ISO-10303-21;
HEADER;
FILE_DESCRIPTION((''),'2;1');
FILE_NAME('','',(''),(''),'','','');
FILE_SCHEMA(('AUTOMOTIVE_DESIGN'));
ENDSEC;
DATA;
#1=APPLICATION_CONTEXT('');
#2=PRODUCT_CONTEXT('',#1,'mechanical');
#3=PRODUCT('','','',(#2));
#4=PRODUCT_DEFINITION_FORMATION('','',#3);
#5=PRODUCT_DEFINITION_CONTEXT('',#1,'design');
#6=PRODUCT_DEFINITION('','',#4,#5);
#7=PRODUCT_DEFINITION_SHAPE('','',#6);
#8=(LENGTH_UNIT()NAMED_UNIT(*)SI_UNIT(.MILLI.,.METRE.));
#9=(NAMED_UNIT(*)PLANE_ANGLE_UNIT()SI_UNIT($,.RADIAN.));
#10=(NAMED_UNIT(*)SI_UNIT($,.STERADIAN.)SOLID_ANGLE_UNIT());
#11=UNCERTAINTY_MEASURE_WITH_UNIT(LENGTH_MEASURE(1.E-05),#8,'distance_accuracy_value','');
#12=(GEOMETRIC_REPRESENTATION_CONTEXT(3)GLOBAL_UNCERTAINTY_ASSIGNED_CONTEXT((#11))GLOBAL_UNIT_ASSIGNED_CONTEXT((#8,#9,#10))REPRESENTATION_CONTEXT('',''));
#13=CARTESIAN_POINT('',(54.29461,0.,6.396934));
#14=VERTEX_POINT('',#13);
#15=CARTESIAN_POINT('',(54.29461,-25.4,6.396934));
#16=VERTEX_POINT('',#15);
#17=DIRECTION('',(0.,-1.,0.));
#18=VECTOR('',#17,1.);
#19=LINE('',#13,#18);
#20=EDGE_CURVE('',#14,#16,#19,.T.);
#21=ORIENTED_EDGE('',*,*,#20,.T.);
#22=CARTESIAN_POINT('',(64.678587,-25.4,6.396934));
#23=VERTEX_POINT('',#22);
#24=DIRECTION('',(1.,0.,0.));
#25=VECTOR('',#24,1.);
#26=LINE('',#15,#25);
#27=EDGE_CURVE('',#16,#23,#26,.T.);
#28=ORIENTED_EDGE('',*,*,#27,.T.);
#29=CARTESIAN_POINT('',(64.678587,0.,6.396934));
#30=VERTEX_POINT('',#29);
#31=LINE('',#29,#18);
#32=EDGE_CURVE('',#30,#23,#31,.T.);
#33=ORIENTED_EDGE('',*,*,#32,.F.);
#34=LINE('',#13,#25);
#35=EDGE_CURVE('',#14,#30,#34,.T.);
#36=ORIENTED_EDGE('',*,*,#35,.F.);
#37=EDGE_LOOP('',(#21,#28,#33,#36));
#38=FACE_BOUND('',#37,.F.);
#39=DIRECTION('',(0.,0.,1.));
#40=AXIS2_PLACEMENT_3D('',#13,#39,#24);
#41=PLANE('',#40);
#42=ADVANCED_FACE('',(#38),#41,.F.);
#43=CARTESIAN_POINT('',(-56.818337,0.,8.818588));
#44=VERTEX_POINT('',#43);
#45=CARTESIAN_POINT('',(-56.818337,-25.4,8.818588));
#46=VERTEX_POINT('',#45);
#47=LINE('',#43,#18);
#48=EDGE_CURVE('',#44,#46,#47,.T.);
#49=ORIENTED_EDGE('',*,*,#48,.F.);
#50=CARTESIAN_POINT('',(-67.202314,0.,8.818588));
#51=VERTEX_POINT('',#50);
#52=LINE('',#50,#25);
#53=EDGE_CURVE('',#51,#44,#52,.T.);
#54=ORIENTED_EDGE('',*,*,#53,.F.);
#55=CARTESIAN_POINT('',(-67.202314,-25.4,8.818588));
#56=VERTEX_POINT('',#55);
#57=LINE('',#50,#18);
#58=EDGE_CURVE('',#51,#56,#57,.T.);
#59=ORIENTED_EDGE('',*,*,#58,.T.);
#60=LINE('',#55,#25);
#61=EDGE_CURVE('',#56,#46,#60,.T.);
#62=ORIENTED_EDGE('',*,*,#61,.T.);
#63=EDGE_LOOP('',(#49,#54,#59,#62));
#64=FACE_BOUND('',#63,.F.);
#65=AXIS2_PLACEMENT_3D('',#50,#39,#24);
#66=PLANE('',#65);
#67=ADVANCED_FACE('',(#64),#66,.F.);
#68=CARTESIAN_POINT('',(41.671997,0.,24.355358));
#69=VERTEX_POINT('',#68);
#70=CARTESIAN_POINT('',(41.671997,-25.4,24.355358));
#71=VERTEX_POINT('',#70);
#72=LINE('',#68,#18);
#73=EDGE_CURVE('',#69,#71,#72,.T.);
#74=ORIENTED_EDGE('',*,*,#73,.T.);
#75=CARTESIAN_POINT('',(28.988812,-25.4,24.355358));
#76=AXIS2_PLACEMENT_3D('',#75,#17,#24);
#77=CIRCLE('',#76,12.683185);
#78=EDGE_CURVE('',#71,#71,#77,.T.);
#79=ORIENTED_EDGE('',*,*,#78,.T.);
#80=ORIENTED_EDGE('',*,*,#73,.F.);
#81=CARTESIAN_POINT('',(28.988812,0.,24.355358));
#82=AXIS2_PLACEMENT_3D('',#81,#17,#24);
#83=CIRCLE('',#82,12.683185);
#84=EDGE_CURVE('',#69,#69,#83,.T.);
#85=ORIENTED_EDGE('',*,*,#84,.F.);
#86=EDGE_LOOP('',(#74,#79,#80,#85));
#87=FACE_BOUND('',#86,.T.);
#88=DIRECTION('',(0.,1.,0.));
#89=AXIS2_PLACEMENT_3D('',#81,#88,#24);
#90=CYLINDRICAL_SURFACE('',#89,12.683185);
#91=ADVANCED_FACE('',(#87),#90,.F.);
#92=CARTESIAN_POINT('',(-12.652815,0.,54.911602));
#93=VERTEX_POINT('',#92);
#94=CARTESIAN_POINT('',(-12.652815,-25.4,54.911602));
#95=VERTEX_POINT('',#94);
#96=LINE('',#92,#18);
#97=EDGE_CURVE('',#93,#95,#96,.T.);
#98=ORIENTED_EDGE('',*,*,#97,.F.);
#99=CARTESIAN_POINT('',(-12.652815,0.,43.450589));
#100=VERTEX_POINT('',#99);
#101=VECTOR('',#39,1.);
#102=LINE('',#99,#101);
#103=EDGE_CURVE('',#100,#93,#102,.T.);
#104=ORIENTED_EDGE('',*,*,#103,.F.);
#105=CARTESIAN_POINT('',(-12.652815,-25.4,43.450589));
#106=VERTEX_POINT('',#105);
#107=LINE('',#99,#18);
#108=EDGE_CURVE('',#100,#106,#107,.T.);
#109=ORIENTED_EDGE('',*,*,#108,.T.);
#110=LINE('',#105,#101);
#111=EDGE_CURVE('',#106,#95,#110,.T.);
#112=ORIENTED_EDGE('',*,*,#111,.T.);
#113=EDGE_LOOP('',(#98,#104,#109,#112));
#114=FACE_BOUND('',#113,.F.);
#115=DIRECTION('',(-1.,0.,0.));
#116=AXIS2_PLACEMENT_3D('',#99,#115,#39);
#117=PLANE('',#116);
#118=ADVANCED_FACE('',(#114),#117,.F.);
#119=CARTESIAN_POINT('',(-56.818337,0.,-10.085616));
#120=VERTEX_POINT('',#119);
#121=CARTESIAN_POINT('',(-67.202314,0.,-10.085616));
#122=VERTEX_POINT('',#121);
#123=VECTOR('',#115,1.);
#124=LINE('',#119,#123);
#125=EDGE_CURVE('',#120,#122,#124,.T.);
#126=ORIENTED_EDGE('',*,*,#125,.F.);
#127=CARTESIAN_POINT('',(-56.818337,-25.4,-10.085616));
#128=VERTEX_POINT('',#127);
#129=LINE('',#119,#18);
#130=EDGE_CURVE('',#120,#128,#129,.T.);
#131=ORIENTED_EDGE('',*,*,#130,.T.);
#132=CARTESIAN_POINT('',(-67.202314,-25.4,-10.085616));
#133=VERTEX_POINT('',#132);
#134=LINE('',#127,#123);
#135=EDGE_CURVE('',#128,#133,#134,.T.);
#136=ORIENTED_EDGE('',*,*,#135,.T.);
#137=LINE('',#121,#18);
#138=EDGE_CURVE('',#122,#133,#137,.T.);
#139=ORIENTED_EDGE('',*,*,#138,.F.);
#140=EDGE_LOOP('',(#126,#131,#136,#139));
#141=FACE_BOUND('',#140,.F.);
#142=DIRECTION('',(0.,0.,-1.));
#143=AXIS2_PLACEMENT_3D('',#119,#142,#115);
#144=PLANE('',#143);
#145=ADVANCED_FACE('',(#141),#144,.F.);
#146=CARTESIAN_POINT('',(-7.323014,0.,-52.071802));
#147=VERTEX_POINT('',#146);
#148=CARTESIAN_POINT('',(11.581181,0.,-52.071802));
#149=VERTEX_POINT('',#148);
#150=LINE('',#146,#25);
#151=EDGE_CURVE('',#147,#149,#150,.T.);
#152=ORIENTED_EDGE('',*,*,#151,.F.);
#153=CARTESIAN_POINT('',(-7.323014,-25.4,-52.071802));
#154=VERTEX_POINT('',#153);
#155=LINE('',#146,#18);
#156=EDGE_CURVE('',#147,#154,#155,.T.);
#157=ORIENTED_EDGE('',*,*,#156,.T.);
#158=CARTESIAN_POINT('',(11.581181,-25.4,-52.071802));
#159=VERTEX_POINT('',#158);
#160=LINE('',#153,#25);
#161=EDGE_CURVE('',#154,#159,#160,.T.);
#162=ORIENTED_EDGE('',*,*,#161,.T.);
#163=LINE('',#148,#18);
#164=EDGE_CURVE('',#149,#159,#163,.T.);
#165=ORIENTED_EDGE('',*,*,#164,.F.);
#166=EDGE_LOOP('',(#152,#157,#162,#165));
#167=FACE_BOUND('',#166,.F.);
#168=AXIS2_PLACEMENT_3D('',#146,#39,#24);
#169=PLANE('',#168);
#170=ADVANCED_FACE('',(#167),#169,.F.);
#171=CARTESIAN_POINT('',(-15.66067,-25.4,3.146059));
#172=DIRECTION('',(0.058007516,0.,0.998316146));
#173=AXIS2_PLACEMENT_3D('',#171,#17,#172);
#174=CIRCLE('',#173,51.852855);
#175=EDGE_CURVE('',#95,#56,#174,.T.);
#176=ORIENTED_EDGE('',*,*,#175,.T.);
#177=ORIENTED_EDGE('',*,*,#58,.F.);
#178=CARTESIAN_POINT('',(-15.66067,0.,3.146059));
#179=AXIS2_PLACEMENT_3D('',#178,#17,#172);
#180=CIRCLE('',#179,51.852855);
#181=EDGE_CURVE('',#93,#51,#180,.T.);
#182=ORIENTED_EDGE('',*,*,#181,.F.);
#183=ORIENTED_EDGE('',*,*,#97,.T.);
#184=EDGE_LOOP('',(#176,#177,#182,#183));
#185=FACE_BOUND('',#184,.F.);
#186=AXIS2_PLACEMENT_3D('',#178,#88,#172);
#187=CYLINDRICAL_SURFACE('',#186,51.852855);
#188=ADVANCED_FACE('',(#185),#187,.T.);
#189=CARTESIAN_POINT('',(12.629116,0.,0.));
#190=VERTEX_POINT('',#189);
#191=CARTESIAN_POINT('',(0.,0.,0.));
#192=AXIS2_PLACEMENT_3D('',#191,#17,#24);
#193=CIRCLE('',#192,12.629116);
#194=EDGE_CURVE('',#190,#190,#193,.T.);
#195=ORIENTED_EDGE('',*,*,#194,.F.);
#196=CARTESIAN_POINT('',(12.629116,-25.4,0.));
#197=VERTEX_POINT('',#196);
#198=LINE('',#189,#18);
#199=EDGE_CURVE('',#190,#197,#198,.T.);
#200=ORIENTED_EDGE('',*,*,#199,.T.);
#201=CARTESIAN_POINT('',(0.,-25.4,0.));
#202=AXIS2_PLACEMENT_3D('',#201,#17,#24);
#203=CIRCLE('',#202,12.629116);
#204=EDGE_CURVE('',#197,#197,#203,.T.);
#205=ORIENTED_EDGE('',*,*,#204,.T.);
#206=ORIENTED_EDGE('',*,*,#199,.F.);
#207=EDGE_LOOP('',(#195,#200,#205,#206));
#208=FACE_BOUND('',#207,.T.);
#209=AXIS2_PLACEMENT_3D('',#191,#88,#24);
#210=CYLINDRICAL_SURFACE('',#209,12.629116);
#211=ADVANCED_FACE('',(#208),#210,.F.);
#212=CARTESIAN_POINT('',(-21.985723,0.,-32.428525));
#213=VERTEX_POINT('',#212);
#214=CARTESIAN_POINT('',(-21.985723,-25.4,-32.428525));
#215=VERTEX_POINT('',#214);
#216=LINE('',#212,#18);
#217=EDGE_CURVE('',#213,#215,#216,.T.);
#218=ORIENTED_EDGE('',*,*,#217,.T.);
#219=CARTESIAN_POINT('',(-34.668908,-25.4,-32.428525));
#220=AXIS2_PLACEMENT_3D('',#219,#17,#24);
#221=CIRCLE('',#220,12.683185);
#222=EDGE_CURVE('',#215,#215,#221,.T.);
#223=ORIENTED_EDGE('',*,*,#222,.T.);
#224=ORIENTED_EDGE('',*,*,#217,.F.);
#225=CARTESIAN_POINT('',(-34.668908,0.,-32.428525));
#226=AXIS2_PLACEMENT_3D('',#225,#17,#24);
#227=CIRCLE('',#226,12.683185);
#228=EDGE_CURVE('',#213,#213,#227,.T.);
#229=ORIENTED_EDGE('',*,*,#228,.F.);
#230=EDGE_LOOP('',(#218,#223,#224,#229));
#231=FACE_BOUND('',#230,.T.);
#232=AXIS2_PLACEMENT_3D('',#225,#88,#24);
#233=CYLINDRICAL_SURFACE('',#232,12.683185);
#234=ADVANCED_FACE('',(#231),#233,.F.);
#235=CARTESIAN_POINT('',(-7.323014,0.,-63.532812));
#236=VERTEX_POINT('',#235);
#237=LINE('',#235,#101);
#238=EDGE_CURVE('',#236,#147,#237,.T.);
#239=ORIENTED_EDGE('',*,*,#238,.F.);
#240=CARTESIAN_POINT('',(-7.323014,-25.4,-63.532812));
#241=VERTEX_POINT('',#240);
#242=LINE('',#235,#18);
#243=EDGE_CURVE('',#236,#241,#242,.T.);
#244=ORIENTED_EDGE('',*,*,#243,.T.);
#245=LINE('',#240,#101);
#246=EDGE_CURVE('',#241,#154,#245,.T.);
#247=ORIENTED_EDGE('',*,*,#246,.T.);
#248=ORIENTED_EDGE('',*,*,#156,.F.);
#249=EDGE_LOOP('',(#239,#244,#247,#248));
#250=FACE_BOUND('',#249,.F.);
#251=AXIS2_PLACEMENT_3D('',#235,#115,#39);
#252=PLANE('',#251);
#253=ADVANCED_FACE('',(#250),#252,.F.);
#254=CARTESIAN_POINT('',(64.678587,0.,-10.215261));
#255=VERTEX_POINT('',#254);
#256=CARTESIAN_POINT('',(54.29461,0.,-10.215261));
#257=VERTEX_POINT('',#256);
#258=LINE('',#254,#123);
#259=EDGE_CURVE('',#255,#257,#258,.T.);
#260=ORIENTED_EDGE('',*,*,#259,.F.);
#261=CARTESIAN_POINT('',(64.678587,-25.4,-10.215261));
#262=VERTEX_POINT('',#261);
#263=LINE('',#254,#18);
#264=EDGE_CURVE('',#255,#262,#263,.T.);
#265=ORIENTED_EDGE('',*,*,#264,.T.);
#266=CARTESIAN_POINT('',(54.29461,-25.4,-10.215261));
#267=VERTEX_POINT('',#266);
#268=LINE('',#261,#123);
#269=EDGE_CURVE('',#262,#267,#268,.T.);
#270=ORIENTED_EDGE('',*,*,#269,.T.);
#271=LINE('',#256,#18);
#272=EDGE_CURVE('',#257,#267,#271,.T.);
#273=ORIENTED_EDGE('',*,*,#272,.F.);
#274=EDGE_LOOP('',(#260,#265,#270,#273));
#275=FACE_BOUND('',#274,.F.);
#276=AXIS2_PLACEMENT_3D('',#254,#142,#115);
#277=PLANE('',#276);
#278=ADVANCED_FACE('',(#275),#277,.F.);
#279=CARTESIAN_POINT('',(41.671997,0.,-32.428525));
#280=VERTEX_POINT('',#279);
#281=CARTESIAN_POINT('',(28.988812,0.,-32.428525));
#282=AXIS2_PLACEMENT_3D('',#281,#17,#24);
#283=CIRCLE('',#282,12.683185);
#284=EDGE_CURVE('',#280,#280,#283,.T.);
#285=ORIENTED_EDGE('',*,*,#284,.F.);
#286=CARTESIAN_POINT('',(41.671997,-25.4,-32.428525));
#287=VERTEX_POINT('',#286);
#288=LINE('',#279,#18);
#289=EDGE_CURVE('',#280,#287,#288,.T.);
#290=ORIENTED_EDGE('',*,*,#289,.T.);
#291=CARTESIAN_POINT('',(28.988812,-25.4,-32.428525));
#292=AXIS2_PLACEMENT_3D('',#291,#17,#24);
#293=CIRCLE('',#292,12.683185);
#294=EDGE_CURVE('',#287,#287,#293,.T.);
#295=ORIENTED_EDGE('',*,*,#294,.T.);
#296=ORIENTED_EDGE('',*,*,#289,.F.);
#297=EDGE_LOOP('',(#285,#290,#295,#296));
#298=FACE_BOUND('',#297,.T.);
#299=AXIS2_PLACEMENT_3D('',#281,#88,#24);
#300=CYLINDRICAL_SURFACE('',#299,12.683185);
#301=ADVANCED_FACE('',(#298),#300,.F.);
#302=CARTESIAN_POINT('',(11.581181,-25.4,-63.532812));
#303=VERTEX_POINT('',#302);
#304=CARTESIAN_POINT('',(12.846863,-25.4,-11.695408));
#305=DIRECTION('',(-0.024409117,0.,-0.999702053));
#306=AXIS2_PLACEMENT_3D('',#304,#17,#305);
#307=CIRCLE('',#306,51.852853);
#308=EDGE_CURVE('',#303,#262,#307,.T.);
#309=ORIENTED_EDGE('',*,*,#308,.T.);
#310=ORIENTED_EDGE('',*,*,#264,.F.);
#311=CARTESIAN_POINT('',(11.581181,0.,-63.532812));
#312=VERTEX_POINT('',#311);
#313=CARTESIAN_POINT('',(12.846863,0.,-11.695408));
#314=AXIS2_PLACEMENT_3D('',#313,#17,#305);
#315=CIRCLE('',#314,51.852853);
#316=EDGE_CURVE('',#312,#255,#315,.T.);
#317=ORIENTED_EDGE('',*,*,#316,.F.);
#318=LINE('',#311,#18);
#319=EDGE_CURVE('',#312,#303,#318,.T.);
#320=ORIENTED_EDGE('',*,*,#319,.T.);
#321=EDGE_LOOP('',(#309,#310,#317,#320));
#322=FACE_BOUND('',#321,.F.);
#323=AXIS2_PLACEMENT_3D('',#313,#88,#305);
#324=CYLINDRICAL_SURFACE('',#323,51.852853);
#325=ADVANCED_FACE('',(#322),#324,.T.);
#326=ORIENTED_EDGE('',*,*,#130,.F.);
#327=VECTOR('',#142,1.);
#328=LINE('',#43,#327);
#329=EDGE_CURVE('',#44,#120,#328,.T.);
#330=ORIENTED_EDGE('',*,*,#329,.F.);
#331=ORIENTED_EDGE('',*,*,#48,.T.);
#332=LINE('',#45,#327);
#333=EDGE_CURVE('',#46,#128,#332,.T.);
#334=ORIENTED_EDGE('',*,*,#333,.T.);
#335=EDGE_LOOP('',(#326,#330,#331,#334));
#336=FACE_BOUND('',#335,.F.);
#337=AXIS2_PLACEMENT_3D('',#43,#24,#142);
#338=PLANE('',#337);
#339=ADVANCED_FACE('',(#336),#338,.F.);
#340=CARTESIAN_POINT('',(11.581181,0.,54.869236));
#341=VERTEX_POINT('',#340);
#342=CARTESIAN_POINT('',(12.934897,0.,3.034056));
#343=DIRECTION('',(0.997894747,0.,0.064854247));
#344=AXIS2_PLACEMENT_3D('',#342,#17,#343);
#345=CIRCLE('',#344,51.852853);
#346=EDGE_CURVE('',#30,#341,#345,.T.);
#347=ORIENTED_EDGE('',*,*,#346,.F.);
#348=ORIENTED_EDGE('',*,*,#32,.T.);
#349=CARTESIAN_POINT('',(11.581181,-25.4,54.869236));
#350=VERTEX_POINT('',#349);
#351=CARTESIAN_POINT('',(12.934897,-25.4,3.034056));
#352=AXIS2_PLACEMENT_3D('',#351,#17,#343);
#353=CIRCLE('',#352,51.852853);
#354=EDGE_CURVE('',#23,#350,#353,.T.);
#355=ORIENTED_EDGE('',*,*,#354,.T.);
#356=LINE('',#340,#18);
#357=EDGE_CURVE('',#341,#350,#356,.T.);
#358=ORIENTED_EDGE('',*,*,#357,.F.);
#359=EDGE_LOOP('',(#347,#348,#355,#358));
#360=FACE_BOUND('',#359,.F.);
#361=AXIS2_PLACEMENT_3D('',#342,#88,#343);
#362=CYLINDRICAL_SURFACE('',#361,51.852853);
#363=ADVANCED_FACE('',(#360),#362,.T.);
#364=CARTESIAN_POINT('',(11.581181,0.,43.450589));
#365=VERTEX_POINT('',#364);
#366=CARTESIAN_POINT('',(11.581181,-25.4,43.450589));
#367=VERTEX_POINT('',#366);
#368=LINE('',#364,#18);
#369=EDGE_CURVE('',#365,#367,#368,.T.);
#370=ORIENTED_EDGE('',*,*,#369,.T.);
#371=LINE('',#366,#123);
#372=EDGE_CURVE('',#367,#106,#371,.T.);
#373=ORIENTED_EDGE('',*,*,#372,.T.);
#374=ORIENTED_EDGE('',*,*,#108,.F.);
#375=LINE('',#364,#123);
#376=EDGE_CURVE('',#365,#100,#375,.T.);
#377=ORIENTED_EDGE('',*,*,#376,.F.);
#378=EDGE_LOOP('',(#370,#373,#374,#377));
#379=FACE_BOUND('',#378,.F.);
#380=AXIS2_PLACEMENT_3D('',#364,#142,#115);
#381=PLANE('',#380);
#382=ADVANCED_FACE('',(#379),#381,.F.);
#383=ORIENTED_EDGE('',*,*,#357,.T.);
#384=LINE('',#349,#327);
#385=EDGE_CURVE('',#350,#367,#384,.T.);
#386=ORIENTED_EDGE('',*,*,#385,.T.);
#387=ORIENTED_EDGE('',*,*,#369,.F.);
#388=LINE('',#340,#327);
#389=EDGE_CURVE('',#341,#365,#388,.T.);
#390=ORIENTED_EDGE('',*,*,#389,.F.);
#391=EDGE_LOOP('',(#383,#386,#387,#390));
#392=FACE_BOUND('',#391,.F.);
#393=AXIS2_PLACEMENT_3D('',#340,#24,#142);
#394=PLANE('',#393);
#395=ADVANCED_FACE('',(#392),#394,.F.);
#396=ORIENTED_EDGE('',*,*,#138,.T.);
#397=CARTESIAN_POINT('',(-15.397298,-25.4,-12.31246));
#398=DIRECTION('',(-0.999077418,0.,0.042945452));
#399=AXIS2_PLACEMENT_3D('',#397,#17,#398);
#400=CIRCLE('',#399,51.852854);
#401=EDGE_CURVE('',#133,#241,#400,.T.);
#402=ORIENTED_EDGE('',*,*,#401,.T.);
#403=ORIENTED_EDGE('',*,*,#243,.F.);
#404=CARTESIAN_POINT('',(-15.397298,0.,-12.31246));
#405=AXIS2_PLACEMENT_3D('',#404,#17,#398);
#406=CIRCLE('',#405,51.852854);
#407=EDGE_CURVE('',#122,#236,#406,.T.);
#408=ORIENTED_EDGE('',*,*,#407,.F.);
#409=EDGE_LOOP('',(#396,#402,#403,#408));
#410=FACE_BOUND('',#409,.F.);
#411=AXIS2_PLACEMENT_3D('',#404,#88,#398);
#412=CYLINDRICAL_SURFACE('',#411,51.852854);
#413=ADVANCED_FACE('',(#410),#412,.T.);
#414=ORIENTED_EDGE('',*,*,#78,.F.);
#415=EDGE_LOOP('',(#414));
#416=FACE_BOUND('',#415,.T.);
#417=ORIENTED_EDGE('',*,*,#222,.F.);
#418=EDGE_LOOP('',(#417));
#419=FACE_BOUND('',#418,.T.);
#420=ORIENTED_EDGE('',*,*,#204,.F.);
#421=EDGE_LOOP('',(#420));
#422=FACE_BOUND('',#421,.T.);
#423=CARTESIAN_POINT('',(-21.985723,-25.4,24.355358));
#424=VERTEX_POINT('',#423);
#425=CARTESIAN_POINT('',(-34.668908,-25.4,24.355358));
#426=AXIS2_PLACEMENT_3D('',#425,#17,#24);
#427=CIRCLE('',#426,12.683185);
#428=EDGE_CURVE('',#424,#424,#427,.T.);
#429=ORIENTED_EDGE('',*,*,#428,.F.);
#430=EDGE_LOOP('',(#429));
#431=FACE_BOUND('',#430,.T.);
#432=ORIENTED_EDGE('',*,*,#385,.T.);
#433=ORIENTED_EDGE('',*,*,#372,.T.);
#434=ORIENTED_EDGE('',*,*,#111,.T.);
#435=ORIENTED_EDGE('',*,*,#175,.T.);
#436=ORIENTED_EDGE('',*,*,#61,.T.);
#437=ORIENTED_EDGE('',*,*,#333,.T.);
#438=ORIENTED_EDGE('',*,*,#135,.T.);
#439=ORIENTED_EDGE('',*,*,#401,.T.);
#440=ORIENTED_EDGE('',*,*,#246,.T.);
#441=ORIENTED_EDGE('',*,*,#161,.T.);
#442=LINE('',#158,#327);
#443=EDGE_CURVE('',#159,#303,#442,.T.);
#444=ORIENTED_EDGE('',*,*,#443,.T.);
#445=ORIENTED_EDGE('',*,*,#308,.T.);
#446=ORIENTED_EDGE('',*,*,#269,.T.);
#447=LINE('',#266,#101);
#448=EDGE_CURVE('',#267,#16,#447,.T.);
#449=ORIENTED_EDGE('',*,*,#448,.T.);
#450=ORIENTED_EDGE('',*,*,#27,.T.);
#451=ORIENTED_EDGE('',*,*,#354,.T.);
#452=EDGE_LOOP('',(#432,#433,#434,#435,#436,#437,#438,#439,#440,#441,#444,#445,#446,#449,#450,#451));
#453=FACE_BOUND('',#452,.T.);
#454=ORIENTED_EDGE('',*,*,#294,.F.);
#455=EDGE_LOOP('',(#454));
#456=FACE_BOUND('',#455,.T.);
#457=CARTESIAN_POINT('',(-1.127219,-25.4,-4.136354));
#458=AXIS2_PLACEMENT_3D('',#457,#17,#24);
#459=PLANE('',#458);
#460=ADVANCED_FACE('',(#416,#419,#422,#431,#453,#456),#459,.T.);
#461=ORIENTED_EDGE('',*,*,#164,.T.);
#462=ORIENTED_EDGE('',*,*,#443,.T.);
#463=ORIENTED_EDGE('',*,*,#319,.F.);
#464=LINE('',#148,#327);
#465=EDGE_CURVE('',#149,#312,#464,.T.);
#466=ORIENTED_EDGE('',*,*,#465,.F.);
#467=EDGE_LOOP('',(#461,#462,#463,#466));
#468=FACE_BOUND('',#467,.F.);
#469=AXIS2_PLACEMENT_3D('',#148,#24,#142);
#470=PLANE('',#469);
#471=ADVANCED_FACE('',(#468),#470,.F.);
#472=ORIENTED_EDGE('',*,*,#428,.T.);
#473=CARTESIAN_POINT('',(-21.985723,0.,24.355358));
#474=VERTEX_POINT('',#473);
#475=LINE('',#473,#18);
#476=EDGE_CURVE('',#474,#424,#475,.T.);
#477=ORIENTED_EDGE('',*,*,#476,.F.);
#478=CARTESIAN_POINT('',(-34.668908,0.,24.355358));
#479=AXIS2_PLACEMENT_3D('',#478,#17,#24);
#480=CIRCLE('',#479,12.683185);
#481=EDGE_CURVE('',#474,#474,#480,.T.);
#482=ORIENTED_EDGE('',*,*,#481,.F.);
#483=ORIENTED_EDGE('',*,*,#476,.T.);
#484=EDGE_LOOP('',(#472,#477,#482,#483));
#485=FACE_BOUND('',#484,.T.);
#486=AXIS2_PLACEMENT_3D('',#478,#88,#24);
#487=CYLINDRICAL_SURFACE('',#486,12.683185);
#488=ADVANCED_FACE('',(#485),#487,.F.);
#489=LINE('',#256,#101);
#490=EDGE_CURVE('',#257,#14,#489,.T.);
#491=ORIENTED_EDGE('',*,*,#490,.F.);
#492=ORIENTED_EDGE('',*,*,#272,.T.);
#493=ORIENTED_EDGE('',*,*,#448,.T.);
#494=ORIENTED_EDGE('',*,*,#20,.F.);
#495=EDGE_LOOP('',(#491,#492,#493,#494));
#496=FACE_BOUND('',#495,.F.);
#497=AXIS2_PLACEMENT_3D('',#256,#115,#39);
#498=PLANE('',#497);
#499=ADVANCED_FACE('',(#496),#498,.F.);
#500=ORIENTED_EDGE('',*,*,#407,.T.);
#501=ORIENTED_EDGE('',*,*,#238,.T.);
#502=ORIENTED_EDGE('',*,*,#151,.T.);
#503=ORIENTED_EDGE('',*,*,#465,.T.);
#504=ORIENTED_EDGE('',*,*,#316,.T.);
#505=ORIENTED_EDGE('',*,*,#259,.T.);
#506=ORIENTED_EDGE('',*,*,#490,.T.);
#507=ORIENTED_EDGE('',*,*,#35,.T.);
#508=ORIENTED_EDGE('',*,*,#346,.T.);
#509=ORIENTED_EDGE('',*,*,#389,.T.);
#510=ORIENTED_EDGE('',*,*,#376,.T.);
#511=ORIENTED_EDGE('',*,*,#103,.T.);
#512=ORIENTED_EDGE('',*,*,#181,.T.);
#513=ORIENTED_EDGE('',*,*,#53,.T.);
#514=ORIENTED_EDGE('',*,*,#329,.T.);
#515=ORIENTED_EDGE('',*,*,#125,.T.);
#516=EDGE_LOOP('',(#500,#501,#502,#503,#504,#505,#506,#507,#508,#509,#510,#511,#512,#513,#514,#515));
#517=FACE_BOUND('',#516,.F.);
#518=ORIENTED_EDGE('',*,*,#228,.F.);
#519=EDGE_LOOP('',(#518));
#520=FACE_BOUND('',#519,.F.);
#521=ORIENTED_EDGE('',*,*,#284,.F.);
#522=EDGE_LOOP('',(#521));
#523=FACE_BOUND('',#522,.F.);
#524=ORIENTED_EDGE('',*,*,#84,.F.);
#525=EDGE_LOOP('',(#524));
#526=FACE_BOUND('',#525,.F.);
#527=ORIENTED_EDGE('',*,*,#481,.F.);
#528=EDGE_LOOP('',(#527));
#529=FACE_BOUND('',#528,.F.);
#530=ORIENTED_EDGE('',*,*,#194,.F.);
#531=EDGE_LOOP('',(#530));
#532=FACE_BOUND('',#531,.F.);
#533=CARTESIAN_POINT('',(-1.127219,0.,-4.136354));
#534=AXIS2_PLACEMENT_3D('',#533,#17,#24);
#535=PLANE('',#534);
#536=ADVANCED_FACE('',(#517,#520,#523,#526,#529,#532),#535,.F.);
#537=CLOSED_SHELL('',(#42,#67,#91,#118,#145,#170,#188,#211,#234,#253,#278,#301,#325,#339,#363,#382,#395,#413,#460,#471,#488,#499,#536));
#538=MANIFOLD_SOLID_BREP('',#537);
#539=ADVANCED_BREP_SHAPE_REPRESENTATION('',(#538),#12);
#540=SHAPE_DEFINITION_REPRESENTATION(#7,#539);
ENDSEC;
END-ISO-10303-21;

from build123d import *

# Parameters (mm, degrees)
F0_R     = 12.683185
F0_R_2   = 12.629116
F1_DEPTH = 25.4


with BuildPart() as f1:
    # F0 (on Front) → F1 (new body)
    with BuildSketch(Plane.XZ):
        with BuildLine():
            Line((54.29461, -10.215261), (54.29461, 6.396934))
            Line((54.29461, 6.396934), (64.678587, 6.396934))
            ThreePointArc((64.678587, 6.396934), (47.894565, 41.329487), (11.581181, 54.869236))
            Line((11.581181, 54.869236), (11.581181, 43.450589))
            Line((11.581181, 43.450589), (-12.652815, 43.450589))
            Line((-12.652815, 43.450589), (-12.652815, 54.911602))
            ThreePointArc((-12.652815, 54.911602), (-49.127425, 42.752813), (-67.202314, 8.818588))
            Line((-67.202314, 8.818588), (-56.818337, 8.818588))
            Line((-56.818337, 8.818588), (-56.818337, -10.085616))
            Line((-56.818337, -10.085616), (-67.202314, -10.085616))
            ThreePointArc((-67.202314, -10.085616), (-49.926198, -50.996741), (-7.323014, -63.532812))
            Line((-7.323014, -63.532812), (-7.323014, -52.071802))
            Line((-7.323014, -52.071802), (11.581181, -52.071802))
            Line((11.581181, -52.071802), (11.581181, -63.532812))
            ThreePointArc((11.581181, -63.532812), (49.58814, -48.284983), (64.678587, -10.215261))
            Line((64.678587, -10.215261), (54.29461, -10.215261))
        make_face()
        with Locations((-34.668908, -32.428525)):
            Circle(F0_R, mode=Mode.SUBTRACT)
        with Locations((28.988812, -32.428525)):
            Circle(F0_R, mode=Mode.SUBTRACT)
        with Locations((-34.668908, 24.355358)):
            Circle(F0_R, mode=Mode.SUBTRACT)
        Circle(F0_R_2, mode=Mode.SUBTRACT)
        with Locations((28.988812, 24.355358)):
            Circle(F0_R, mode=Mode.SUBTRACT)
    extrude(amount=F1_DEPTH)


solid = f1.part
